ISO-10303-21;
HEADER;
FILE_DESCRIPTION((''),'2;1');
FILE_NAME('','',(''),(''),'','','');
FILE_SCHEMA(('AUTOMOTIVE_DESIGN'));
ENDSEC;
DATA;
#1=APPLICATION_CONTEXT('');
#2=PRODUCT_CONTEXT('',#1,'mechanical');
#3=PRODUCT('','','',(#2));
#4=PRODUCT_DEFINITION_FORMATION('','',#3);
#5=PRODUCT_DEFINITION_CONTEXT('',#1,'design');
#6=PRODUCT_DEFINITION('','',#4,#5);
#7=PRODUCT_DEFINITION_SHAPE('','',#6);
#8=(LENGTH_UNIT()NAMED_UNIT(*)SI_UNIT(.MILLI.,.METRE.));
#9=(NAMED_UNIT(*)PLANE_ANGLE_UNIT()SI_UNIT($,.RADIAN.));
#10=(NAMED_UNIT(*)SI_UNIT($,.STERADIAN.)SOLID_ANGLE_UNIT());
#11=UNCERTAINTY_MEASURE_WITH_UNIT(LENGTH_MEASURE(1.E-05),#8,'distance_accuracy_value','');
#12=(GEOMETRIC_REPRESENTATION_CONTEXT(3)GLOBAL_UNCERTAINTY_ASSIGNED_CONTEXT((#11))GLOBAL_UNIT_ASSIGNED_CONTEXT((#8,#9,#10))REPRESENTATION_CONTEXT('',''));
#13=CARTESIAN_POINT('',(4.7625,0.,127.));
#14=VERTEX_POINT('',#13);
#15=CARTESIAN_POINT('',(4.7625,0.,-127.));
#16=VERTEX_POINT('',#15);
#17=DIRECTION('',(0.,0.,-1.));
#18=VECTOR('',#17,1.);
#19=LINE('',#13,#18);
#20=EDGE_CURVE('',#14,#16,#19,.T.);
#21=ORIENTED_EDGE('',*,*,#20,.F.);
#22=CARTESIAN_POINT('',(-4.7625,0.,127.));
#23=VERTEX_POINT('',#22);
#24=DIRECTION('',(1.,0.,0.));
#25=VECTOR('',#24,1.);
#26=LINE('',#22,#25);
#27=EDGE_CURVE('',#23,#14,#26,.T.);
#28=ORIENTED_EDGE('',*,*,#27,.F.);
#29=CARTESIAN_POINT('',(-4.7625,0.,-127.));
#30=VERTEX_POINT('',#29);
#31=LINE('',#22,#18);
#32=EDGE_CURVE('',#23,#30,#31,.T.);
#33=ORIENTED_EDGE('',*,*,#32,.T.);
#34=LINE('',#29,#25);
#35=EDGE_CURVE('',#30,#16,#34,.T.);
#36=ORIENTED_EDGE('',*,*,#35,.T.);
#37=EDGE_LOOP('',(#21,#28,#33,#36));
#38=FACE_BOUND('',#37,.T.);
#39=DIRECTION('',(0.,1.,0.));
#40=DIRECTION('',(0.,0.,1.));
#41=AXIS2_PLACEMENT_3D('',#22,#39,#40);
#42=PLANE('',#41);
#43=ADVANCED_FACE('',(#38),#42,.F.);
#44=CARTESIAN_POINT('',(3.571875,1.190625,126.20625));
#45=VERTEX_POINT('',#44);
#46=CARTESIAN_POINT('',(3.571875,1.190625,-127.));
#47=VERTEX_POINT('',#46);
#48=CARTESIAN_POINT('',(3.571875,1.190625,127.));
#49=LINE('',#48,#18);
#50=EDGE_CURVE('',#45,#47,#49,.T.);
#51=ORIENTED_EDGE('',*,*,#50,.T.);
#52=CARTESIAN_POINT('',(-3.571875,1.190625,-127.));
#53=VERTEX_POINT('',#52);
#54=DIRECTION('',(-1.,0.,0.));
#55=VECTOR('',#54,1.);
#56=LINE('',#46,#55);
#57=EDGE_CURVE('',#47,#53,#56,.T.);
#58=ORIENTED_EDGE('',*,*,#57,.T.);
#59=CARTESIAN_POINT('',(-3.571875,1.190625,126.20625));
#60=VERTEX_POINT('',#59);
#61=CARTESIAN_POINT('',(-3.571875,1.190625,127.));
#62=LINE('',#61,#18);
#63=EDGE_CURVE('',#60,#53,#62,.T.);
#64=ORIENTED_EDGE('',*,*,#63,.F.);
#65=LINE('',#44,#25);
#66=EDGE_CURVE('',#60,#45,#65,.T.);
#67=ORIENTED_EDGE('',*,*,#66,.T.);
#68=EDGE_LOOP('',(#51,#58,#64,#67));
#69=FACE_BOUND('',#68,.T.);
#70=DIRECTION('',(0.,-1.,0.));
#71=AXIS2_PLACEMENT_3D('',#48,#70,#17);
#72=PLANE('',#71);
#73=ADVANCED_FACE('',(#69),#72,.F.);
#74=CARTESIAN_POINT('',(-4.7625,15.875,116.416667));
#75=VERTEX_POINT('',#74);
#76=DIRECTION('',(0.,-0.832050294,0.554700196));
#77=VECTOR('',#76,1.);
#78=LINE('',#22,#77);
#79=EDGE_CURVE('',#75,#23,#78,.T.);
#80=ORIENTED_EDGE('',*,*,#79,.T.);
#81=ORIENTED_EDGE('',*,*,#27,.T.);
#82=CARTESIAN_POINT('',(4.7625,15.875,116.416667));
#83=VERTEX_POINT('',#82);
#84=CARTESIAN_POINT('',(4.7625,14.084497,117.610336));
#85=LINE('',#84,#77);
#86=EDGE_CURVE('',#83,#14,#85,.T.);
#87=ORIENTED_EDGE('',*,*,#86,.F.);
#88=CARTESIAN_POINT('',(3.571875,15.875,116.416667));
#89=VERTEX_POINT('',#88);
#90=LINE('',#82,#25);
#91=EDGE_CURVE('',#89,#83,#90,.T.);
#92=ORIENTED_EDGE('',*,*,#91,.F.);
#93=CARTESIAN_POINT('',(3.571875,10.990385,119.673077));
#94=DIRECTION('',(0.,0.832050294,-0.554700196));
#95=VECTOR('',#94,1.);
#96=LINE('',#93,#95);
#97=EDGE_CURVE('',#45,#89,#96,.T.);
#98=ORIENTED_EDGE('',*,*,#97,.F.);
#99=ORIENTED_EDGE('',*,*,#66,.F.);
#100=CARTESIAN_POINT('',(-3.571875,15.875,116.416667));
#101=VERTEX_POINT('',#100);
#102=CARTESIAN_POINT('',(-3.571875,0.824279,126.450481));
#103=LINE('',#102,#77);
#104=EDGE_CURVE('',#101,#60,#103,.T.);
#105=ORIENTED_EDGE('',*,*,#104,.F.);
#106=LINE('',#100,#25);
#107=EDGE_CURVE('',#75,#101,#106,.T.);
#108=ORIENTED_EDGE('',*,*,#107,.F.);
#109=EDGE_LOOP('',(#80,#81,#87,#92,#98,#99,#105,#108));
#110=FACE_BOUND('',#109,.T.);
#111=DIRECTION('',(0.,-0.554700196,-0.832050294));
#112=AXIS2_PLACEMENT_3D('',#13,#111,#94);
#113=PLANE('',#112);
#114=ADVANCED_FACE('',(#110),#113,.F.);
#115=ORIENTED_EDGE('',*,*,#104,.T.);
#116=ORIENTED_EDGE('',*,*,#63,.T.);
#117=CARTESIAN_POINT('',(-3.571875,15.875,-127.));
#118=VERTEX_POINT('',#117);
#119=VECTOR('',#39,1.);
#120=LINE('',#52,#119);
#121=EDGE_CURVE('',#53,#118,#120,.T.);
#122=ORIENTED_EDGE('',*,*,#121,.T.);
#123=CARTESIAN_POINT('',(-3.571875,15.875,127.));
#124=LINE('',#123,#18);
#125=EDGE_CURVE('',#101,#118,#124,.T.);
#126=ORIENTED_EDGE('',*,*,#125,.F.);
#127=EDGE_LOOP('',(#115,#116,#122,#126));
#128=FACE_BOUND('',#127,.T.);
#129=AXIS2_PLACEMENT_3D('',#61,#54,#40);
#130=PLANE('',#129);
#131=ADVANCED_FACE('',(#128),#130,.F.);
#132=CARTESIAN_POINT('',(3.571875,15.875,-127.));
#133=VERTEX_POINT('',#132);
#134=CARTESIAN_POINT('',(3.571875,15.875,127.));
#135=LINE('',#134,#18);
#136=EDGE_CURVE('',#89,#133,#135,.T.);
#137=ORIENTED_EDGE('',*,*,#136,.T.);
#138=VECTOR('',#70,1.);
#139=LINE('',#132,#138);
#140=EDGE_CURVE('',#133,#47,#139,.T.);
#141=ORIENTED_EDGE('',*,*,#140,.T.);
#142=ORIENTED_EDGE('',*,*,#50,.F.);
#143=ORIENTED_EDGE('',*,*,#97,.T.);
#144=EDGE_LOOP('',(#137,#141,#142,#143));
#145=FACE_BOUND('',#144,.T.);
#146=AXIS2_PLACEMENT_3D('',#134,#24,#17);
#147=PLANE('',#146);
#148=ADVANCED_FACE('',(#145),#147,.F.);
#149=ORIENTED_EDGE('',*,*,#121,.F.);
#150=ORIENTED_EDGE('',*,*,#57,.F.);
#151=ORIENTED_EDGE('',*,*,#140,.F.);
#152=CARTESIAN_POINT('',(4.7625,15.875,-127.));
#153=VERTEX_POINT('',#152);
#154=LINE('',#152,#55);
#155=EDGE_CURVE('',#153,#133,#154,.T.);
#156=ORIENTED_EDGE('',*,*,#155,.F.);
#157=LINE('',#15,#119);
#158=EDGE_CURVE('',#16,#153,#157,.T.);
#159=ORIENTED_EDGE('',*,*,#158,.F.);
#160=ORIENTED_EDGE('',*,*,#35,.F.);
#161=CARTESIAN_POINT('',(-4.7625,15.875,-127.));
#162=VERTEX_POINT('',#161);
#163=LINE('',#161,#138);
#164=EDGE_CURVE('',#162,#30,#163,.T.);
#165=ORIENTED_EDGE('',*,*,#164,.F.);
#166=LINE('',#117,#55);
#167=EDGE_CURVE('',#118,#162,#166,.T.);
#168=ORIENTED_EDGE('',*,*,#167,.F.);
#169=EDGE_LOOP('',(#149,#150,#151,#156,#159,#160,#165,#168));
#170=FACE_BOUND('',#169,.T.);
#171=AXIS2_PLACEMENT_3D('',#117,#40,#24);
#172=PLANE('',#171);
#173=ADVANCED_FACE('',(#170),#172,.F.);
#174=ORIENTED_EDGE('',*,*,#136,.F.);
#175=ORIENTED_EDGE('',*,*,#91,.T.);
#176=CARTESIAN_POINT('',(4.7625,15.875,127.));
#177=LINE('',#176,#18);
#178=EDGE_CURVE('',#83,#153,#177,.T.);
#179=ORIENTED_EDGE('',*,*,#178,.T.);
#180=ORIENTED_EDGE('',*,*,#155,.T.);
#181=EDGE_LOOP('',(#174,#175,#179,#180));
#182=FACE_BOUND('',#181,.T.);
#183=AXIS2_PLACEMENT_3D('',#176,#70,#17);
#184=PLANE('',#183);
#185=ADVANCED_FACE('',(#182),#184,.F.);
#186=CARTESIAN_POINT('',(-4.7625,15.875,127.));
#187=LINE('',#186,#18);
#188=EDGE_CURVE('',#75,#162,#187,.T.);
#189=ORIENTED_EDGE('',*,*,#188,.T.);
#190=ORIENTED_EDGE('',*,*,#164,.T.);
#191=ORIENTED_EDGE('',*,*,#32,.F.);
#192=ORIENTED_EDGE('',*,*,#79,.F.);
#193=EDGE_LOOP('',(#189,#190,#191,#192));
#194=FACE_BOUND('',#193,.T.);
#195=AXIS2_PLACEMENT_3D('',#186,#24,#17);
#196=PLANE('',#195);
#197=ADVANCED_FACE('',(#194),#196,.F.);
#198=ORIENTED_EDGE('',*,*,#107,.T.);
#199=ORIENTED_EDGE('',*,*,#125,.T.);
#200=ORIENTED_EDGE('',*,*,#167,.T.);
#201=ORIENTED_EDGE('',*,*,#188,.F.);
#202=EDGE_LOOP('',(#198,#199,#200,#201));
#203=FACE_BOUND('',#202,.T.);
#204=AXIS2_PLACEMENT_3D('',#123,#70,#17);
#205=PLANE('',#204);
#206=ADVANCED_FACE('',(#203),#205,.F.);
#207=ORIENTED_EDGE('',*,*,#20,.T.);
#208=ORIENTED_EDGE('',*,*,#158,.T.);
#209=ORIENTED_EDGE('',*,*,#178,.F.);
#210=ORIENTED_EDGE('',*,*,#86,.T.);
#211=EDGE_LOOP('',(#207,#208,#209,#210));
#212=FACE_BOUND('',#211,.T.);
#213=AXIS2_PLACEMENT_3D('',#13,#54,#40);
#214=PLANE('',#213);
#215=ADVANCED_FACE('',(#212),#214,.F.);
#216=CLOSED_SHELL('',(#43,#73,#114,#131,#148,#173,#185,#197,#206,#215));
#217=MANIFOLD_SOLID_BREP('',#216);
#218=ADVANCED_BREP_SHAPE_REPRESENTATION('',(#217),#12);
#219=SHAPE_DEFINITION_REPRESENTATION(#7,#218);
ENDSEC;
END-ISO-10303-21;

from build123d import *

# Parameters (mm, degrees)
BOSS_EXTRUDE1_DEPTH = 127
CUT_EXTRUDE1_DEPTH  = 10.525


with BuildPart() as part:
    # Sketch1 → Boss-Extrude1 (new body, symmetric)
    with BuildSketch(Plane.XY):
        Polygon((-3.571875, 15.875), (-4.7625, 15.875), (-4.7625, 0), (4.7625, 0), (4.7625, 15.875), (3.571875, 15.875), (3.571875, 1.190625), (-3.571875, 1.190625), align=None)
    extrude(amount=BOSS_EXTRUDE1_DEPTH, both=True)

    # Sketch3 → Cut-Extrude1 (cut, through all)
    with BuildSketch(Plane.ZY.offset(4.7625)):
        Polygon((127, 0), (117.610335596, 14.084496606), (106.170739416, 31.243890876), (157.683078153, 12.341977689), align=None)
    extrude(amount=-CUT_EXTRUDE1_DEPTH, mode=Mode.SUBTRACT)


solid = part.part
